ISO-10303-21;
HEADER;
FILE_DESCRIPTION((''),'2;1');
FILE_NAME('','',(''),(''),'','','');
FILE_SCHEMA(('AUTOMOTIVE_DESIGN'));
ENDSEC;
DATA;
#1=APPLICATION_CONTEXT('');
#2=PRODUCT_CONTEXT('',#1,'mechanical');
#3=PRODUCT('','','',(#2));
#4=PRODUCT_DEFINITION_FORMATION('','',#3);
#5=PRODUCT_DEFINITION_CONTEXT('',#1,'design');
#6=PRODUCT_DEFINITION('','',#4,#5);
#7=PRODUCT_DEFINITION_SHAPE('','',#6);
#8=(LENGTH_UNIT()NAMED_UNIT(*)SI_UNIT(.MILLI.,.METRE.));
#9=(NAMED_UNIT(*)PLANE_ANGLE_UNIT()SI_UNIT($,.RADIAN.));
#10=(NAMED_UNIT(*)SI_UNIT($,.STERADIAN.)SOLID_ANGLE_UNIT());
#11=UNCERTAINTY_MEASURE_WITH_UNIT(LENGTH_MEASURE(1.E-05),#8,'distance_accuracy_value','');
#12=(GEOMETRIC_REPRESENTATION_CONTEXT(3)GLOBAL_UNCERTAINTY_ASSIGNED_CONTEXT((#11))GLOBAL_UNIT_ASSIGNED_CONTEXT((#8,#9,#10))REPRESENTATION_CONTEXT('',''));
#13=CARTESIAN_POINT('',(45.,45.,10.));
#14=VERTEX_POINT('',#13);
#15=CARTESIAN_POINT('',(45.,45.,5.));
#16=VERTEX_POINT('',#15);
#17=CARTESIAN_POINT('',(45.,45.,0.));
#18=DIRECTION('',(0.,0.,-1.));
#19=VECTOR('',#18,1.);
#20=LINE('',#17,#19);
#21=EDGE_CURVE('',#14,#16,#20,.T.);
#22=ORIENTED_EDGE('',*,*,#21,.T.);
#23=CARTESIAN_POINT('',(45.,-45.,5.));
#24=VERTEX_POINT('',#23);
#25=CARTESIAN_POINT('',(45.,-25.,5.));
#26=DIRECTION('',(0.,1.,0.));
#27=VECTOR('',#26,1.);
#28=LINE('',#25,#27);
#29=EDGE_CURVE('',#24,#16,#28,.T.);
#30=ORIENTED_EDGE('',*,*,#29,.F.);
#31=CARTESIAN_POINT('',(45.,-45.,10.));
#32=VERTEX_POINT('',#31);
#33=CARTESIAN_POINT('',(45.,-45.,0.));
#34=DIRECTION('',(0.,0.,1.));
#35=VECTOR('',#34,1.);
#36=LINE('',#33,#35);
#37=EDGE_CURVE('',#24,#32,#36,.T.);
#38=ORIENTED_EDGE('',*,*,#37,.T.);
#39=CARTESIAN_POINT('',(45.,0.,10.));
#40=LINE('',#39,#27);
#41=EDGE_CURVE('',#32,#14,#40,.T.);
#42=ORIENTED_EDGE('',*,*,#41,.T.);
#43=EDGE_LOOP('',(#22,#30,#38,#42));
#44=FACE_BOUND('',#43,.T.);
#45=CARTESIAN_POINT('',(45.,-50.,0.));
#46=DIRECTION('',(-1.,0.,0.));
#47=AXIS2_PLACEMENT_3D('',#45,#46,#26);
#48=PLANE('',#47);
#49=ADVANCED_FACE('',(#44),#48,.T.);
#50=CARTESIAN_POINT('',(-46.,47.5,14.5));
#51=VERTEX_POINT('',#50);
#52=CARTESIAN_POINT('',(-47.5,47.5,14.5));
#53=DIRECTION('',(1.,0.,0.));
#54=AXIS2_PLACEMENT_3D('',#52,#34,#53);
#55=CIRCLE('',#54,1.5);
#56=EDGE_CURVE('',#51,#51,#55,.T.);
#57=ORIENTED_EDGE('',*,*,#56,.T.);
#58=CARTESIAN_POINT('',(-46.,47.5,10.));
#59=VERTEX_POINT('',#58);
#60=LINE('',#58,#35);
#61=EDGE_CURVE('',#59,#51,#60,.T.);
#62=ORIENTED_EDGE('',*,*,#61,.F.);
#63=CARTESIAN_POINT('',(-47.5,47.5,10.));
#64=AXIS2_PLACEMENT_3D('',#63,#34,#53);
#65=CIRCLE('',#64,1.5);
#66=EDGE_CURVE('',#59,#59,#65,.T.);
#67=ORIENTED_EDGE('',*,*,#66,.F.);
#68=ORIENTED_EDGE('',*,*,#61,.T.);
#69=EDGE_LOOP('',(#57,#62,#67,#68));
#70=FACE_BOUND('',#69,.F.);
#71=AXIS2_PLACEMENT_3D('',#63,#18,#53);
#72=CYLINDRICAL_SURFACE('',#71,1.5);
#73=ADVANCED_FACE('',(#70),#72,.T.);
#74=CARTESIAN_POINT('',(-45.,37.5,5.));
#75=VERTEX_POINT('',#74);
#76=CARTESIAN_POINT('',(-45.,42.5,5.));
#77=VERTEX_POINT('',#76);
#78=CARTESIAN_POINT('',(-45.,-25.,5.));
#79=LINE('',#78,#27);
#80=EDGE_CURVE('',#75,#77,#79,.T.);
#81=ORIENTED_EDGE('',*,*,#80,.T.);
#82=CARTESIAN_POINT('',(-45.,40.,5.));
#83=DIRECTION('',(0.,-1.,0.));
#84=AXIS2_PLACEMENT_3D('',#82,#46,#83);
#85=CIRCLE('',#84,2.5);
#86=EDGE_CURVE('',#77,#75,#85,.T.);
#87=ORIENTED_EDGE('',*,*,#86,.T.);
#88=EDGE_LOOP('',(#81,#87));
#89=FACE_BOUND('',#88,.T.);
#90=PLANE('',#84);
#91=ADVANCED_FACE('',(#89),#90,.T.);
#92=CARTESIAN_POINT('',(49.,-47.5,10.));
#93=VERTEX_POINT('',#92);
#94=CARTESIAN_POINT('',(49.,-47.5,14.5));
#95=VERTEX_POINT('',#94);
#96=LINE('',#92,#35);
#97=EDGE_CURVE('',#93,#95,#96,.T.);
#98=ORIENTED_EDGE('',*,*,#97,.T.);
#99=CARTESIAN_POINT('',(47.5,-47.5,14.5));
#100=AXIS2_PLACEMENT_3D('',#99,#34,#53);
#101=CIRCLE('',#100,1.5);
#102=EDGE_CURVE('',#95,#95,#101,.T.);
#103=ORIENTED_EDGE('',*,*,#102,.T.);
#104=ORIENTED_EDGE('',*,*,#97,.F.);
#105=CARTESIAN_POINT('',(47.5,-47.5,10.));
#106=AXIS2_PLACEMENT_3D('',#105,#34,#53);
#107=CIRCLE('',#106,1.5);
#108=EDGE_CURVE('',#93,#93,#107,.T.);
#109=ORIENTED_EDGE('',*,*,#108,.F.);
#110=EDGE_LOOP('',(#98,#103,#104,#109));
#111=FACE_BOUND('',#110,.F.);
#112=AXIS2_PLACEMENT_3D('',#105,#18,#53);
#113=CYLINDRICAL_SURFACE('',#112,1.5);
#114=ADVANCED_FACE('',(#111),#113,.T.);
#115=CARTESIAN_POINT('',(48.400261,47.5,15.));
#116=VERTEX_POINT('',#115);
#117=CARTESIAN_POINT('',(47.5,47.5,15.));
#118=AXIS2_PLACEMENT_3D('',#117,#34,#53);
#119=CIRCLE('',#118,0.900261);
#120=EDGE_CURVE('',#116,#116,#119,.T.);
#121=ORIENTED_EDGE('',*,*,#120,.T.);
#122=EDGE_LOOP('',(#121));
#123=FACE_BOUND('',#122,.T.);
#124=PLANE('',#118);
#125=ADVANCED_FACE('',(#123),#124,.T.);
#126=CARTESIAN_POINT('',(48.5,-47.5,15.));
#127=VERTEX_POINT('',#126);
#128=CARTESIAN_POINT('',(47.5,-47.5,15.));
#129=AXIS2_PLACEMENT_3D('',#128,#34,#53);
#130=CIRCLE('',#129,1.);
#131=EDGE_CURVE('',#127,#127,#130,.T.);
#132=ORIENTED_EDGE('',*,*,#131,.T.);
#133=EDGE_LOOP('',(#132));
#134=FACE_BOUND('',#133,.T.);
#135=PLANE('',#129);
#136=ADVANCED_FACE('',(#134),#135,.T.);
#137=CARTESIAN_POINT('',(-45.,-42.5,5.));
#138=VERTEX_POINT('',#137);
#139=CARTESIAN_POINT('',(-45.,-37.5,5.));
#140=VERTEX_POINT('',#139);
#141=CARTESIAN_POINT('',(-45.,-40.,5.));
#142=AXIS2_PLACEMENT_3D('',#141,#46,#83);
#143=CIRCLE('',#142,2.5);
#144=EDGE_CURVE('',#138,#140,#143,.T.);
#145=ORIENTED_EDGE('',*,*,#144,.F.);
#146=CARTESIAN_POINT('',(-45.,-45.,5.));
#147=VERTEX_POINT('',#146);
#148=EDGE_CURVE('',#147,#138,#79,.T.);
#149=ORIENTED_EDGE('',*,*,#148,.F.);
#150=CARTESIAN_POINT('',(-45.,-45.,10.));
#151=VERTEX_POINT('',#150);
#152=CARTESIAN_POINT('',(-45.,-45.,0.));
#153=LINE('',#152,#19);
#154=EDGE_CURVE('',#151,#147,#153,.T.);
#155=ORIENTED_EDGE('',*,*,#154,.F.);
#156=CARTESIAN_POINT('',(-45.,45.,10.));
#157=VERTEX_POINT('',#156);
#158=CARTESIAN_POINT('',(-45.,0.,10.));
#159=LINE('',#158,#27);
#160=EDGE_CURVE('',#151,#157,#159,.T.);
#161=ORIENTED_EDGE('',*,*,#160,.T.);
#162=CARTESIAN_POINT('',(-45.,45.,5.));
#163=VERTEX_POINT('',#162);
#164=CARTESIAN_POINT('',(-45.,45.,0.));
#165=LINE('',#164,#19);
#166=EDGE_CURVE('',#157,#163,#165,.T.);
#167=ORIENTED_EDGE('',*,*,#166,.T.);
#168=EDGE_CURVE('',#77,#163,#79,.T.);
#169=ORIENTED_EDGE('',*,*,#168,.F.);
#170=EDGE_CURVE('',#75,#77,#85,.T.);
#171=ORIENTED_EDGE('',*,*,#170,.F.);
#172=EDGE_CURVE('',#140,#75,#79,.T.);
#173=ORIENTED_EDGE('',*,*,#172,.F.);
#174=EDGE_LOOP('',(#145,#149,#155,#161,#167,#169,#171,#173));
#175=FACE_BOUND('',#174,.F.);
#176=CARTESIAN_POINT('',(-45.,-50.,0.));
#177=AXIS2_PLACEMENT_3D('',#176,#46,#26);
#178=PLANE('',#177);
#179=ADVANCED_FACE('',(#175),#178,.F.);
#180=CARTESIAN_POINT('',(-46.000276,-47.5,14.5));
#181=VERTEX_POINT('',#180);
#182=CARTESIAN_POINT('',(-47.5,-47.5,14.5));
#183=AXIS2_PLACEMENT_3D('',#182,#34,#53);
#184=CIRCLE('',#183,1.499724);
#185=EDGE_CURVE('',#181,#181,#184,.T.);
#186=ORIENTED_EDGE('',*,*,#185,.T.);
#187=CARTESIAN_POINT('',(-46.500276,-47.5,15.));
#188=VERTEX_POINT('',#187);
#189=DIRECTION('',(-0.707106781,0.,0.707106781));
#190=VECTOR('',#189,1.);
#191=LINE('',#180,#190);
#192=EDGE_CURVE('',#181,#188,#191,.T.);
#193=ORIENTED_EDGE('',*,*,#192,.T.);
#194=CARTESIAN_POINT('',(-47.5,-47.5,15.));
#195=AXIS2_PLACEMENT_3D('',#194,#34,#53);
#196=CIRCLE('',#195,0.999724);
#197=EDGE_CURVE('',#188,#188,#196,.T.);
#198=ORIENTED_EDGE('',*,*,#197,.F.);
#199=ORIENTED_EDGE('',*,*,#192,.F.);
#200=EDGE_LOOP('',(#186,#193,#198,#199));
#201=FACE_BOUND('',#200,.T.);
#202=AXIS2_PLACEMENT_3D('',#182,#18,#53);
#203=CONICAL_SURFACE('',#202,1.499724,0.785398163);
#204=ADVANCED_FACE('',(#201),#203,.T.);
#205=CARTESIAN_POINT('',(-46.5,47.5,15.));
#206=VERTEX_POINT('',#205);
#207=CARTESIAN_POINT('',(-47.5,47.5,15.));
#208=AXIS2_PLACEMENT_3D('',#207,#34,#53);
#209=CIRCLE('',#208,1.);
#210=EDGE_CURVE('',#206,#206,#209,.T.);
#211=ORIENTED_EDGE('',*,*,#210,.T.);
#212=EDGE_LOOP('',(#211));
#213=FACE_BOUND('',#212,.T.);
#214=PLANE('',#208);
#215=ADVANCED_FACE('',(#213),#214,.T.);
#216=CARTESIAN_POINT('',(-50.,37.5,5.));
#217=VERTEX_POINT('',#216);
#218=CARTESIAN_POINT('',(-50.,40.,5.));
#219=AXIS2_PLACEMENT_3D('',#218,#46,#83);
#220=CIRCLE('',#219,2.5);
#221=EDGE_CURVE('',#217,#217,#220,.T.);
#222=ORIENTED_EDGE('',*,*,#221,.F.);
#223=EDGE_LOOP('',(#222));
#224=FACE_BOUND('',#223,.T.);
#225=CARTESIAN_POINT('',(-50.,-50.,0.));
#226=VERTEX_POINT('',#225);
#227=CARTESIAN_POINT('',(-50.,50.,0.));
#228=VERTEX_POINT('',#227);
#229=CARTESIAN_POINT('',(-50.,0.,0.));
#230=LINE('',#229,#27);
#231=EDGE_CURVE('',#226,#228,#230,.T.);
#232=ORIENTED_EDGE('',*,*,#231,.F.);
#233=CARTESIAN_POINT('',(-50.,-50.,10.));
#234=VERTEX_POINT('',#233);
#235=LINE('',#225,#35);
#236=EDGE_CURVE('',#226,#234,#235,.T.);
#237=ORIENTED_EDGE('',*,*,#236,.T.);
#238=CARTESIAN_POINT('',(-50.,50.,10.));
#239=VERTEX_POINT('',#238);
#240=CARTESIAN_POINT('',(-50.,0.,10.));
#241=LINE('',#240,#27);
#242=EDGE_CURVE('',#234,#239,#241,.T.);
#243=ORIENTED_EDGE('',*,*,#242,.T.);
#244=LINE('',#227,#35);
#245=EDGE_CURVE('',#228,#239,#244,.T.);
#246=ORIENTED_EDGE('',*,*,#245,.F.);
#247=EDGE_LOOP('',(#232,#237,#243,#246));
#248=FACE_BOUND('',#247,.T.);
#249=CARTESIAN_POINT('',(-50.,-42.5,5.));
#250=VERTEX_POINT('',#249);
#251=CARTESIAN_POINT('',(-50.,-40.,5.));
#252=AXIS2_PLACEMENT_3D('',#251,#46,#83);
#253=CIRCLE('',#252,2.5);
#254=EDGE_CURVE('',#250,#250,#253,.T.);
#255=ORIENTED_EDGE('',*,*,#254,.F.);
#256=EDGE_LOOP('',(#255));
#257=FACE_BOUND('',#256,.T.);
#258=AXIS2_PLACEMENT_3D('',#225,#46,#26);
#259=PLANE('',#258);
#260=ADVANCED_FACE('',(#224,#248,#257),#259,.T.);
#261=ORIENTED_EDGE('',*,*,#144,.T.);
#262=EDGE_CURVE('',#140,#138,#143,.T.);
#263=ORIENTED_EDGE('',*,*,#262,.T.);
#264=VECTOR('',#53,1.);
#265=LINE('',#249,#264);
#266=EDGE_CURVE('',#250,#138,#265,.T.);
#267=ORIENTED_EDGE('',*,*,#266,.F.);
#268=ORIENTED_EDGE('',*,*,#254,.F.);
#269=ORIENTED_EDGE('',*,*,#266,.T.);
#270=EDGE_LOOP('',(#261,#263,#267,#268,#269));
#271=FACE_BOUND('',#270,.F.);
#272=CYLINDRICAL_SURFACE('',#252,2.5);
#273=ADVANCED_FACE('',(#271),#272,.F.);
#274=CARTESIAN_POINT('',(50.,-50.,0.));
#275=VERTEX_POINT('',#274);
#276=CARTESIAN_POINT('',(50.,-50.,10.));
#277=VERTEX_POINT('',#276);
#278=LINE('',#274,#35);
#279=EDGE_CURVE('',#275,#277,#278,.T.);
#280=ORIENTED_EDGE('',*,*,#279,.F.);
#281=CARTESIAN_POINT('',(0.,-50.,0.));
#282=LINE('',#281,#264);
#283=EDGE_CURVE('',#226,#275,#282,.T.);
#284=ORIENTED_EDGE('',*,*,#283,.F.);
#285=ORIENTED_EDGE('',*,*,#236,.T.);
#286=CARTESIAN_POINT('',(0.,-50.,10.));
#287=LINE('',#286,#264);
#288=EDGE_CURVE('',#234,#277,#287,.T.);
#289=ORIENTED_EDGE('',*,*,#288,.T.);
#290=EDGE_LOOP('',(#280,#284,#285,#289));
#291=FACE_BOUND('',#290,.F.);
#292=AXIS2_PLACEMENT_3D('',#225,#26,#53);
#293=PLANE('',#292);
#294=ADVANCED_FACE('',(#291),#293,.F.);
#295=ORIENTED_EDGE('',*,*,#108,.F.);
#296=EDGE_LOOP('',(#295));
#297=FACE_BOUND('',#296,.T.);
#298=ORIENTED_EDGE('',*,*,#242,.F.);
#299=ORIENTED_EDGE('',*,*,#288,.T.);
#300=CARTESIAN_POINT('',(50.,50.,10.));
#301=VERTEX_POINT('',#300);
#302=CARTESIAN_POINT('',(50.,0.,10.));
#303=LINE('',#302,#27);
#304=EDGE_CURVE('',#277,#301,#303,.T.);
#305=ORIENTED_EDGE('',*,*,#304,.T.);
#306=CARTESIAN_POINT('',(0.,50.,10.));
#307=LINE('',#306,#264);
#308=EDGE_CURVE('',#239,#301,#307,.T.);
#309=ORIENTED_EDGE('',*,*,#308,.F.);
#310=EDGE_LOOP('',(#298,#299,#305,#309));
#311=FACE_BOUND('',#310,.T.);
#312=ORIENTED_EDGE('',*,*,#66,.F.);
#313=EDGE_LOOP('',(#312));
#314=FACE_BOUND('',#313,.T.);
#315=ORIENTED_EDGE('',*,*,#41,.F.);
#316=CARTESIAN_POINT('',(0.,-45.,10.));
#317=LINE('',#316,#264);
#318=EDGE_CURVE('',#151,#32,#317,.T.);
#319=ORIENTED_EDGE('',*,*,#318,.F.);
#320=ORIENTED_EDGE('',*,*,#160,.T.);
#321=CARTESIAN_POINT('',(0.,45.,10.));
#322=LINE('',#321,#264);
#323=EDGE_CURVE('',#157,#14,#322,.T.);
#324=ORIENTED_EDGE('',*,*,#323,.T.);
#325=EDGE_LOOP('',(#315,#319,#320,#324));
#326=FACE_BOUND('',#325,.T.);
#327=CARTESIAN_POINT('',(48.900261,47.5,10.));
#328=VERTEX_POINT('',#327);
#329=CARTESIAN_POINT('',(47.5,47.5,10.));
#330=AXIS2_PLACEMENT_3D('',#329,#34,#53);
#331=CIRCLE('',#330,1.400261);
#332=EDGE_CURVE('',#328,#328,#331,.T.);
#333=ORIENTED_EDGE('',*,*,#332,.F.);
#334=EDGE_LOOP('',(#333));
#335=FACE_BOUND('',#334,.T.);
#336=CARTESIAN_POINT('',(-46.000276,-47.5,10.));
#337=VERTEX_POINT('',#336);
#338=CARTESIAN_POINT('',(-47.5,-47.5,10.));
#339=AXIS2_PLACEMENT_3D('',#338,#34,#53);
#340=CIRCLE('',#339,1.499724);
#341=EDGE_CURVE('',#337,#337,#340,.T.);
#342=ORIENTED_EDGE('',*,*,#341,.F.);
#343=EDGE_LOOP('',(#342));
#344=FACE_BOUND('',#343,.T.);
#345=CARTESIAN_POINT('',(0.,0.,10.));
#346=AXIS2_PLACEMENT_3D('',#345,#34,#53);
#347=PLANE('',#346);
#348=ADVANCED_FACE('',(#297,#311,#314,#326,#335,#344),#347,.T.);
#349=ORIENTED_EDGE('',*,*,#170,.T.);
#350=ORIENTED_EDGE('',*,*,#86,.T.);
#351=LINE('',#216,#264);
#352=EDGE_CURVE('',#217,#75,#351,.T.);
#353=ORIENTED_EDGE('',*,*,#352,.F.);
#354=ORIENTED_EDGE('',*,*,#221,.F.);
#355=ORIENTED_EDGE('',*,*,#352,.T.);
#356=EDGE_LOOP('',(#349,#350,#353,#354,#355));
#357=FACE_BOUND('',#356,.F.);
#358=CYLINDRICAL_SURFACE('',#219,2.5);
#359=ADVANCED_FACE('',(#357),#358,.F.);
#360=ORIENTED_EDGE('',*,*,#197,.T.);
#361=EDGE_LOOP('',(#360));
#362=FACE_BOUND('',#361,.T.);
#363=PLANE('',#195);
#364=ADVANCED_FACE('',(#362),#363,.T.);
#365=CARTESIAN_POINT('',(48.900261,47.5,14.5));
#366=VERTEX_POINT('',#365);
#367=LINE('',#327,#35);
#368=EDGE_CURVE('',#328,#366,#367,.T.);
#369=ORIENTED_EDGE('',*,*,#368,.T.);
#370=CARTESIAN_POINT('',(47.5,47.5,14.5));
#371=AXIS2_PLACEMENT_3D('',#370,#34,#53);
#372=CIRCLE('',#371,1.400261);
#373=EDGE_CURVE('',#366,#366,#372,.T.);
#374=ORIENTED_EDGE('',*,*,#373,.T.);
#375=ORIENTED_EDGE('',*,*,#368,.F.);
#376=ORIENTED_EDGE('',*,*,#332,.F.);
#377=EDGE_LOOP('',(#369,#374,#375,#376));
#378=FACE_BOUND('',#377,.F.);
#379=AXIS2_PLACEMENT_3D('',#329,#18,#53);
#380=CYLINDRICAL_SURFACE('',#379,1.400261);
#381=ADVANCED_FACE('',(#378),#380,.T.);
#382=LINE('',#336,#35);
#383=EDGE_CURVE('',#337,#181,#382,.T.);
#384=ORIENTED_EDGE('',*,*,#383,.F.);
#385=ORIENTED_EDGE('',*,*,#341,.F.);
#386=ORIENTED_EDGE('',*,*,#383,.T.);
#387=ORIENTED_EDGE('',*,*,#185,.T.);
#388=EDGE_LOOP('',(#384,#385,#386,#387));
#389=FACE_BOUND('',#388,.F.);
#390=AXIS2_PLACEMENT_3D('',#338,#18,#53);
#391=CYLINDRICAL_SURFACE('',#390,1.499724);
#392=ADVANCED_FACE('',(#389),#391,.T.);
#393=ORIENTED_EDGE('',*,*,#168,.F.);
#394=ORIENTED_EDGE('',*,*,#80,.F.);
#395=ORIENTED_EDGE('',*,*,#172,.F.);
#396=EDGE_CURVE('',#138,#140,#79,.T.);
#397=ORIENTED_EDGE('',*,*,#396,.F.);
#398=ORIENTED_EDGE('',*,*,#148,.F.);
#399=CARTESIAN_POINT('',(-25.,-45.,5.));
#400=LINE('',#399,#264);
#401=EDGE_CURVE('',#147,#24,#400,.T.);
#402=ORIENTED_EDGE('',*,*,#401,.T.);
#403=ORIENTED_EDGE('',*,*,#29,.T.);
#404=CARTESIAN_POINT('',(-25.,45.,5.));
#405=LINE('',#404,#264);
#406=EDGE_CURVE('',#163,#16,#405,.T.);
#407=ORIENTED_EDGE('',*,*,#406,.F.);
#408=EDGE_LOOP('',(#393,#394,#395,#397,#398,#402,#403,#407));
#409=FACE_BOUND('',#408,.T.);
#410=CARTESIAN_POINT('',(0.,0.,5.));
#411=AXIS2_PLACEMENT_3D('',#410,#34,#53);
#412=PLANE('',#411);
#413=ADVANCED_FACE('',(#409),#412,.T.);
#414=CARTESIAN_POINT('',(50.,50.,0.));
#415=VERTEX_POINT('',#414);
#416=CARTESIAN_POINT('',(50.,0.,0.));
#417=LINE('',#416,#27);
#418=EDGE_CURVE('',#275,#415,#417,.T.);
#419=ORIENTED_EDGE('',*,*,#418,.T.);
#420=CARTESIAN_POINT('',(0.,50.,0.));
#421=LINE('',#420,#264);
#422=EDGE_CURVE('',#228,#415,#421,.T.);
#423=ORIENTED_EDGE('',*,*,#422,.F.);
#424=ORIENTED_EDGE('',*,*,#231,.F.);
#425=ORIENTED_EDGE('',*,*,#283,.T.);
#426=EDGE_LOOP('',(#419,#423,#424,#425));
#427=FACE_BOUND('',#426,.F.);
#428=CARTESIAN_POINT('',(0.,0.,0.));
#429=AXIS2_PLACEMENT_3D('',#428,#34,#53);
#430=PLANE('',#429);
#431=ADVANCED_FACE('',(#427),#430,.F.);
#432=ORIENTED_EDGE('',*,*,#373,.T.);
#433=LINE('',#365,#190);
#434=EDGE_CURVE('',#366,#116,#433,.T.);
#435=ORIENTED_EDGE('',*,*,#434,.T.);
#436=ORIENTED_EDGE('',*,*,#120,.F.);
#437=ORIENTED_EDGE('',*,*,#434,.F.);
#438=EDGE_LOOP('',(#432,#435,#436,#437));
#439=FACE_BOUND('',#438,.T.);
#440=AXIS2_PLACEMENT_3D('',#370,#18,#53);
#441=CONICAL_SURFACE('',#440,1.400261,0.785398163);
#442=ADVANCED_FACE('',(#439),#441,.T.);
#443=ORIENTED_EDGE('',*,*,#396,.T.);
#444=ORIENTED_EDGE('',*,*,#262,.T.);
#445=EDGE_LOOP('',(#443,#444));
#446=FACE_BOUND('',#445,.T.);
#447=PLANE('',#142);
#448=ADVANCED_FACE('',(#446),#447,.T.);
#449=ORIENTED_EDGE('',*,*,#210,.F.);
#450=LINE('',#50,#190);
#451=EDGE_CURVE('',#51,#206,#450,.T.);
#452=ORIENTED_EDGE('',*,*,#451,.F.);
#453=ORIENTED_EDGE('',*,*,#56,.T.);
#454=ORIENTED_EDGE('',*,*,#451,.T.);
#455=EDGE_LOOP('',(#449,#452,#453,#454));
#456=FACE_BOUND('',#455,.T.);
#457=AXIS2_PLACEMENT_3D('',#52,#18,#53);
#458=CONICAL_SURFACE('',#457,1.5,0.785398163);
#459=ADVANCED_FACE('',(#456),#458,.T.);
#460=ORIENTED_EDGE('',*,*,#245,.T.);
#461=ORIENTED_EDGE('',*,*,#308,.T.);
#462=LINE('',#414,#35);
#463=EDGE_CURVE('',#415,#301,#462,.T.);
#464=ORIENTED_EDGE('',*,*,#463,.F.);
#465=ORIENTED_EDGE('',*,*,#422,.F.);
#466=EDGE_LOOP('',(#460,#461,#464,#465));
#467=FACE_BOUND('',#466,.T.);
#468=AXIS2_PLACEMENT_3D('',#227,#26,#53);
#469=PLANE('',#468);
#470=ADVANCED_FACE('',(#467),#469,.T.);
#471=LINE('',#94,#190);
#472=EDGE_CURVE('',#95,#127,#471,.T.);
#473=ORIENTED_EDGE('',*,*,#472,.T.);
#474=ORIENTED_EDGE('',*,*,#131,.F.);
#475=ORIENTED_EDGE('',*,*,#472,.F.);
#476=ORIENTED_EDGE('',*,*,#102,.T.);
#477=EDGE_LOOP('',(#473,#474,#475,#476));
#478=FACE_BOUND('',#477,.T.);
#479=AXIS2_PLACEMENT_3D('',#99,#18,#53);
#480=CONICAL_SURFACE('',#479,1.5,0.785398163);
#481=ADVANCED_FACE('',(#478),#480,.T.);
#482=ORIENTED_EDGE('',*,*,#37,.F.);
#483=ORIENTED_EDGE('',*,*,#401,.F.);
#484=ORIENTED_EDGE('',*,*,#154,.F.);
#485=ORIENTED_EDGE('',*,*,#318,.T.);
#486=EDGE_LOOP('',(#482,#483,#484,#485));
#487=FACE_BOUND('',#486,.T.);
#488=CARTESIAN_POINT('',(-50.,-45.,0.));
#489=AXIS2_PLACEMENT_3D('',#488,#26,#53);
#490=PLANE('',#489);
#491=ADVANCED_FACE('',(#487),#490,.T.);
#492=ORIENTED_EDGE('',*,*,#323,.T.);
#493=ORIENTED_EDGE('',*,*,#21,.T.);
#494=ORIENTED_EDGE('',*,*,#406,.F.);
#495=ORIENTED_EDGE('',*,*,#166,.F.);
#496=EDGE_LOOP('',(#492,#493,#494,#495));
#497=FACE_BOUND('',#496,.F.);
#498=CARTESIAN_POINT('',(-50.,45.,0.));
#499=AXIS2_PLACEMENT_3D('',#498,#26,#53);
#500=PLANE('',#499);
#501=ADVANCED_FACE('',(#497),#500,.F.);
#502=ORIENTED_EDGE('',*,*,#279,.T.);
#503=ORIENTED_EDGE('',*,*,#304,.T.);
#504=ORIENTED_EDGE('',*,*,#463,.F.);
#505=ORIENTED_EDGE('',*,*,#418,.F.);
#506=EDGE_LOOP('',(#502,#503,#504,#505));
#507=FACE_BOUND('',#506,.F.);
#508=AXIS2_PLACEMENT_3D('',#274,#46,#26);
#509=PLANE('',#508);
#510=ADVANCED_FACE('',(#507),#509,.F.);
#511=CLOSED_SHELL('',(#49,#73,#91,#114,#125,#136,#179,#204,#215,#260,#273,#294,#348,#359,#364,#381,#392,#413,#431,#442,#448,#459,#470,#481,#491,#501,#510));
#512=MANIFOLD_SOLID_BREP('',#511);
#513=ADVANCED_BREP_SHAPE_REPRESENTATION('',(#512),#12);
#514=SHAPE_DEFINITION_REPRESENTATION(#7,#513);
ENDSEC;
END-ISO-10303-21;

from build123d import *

# Parameters (mm, degrees)
F0_W     = 100
F0_H     = 100
F1_DEPTH = 10
F2_T     = -5
F3_R     = 1.499724
F3_R_2   = 1.5
F3_R_3   = 1.400261
F4_DEPTH = 5
F5_SIZE  = 0.5
F6_R     = 2.5
F7_DEPTH = 5


with BuildPart() as f1:
    # F0 (on Top) → F1 (new body)
    with BuildSketch(Plane.XY):
        Rectangle(F0_W, F0_H)
    extrude(amount=F1_DEPTH)

    # F2
    f2_openings = [f1.faces().sort_by_distance(p)[0] for p in [
        (0, 0, 10),
    ]]
    offset(amount=F2_T, openings=f2_openings)

    # F3 (on face) → F4 (join)
    with BuildSketch(Plane.XY.offset(10)):
        with Locations((-47.5, -47.5)):
            Circle(F3_R)
        with Locations((47.5, -47.5)):
            Circle(F3_R_2)
        with Locations((47.5, 47.5)):
            Circle(F3_R_3)
        with Locations((-47.5, 47.5)):
            Circle(F3_R_2)
    extrude(amount=F4_DEPTH)

    # F5
    f5_edges = [f1.edges().sort_by_distance(p)[0] for p in [
        (46.099739, 47.5, 15),
        (-49, 47.5, 15),
        (-48.999724, -47.5, 15),
        (46, -47.5, 15),
    ]]
    chamfer(f5_edges, length=F5_SIZE)

    # F6 (on face) → F7 (cut)
    with BuildSketch(Plane(origin=(-50, 0, 0), x_dir=(0, -1, 0), z_dir=(-1, 0, 0))):
        with Locations((40, 5)):
            Circle(F6_R)
        with Locations((-40, 5)):
            Circle(F6_R)
    extrude(amount=-F7_DEPTH, mode=Mode.SUBTRACT)


solid = f1.part
